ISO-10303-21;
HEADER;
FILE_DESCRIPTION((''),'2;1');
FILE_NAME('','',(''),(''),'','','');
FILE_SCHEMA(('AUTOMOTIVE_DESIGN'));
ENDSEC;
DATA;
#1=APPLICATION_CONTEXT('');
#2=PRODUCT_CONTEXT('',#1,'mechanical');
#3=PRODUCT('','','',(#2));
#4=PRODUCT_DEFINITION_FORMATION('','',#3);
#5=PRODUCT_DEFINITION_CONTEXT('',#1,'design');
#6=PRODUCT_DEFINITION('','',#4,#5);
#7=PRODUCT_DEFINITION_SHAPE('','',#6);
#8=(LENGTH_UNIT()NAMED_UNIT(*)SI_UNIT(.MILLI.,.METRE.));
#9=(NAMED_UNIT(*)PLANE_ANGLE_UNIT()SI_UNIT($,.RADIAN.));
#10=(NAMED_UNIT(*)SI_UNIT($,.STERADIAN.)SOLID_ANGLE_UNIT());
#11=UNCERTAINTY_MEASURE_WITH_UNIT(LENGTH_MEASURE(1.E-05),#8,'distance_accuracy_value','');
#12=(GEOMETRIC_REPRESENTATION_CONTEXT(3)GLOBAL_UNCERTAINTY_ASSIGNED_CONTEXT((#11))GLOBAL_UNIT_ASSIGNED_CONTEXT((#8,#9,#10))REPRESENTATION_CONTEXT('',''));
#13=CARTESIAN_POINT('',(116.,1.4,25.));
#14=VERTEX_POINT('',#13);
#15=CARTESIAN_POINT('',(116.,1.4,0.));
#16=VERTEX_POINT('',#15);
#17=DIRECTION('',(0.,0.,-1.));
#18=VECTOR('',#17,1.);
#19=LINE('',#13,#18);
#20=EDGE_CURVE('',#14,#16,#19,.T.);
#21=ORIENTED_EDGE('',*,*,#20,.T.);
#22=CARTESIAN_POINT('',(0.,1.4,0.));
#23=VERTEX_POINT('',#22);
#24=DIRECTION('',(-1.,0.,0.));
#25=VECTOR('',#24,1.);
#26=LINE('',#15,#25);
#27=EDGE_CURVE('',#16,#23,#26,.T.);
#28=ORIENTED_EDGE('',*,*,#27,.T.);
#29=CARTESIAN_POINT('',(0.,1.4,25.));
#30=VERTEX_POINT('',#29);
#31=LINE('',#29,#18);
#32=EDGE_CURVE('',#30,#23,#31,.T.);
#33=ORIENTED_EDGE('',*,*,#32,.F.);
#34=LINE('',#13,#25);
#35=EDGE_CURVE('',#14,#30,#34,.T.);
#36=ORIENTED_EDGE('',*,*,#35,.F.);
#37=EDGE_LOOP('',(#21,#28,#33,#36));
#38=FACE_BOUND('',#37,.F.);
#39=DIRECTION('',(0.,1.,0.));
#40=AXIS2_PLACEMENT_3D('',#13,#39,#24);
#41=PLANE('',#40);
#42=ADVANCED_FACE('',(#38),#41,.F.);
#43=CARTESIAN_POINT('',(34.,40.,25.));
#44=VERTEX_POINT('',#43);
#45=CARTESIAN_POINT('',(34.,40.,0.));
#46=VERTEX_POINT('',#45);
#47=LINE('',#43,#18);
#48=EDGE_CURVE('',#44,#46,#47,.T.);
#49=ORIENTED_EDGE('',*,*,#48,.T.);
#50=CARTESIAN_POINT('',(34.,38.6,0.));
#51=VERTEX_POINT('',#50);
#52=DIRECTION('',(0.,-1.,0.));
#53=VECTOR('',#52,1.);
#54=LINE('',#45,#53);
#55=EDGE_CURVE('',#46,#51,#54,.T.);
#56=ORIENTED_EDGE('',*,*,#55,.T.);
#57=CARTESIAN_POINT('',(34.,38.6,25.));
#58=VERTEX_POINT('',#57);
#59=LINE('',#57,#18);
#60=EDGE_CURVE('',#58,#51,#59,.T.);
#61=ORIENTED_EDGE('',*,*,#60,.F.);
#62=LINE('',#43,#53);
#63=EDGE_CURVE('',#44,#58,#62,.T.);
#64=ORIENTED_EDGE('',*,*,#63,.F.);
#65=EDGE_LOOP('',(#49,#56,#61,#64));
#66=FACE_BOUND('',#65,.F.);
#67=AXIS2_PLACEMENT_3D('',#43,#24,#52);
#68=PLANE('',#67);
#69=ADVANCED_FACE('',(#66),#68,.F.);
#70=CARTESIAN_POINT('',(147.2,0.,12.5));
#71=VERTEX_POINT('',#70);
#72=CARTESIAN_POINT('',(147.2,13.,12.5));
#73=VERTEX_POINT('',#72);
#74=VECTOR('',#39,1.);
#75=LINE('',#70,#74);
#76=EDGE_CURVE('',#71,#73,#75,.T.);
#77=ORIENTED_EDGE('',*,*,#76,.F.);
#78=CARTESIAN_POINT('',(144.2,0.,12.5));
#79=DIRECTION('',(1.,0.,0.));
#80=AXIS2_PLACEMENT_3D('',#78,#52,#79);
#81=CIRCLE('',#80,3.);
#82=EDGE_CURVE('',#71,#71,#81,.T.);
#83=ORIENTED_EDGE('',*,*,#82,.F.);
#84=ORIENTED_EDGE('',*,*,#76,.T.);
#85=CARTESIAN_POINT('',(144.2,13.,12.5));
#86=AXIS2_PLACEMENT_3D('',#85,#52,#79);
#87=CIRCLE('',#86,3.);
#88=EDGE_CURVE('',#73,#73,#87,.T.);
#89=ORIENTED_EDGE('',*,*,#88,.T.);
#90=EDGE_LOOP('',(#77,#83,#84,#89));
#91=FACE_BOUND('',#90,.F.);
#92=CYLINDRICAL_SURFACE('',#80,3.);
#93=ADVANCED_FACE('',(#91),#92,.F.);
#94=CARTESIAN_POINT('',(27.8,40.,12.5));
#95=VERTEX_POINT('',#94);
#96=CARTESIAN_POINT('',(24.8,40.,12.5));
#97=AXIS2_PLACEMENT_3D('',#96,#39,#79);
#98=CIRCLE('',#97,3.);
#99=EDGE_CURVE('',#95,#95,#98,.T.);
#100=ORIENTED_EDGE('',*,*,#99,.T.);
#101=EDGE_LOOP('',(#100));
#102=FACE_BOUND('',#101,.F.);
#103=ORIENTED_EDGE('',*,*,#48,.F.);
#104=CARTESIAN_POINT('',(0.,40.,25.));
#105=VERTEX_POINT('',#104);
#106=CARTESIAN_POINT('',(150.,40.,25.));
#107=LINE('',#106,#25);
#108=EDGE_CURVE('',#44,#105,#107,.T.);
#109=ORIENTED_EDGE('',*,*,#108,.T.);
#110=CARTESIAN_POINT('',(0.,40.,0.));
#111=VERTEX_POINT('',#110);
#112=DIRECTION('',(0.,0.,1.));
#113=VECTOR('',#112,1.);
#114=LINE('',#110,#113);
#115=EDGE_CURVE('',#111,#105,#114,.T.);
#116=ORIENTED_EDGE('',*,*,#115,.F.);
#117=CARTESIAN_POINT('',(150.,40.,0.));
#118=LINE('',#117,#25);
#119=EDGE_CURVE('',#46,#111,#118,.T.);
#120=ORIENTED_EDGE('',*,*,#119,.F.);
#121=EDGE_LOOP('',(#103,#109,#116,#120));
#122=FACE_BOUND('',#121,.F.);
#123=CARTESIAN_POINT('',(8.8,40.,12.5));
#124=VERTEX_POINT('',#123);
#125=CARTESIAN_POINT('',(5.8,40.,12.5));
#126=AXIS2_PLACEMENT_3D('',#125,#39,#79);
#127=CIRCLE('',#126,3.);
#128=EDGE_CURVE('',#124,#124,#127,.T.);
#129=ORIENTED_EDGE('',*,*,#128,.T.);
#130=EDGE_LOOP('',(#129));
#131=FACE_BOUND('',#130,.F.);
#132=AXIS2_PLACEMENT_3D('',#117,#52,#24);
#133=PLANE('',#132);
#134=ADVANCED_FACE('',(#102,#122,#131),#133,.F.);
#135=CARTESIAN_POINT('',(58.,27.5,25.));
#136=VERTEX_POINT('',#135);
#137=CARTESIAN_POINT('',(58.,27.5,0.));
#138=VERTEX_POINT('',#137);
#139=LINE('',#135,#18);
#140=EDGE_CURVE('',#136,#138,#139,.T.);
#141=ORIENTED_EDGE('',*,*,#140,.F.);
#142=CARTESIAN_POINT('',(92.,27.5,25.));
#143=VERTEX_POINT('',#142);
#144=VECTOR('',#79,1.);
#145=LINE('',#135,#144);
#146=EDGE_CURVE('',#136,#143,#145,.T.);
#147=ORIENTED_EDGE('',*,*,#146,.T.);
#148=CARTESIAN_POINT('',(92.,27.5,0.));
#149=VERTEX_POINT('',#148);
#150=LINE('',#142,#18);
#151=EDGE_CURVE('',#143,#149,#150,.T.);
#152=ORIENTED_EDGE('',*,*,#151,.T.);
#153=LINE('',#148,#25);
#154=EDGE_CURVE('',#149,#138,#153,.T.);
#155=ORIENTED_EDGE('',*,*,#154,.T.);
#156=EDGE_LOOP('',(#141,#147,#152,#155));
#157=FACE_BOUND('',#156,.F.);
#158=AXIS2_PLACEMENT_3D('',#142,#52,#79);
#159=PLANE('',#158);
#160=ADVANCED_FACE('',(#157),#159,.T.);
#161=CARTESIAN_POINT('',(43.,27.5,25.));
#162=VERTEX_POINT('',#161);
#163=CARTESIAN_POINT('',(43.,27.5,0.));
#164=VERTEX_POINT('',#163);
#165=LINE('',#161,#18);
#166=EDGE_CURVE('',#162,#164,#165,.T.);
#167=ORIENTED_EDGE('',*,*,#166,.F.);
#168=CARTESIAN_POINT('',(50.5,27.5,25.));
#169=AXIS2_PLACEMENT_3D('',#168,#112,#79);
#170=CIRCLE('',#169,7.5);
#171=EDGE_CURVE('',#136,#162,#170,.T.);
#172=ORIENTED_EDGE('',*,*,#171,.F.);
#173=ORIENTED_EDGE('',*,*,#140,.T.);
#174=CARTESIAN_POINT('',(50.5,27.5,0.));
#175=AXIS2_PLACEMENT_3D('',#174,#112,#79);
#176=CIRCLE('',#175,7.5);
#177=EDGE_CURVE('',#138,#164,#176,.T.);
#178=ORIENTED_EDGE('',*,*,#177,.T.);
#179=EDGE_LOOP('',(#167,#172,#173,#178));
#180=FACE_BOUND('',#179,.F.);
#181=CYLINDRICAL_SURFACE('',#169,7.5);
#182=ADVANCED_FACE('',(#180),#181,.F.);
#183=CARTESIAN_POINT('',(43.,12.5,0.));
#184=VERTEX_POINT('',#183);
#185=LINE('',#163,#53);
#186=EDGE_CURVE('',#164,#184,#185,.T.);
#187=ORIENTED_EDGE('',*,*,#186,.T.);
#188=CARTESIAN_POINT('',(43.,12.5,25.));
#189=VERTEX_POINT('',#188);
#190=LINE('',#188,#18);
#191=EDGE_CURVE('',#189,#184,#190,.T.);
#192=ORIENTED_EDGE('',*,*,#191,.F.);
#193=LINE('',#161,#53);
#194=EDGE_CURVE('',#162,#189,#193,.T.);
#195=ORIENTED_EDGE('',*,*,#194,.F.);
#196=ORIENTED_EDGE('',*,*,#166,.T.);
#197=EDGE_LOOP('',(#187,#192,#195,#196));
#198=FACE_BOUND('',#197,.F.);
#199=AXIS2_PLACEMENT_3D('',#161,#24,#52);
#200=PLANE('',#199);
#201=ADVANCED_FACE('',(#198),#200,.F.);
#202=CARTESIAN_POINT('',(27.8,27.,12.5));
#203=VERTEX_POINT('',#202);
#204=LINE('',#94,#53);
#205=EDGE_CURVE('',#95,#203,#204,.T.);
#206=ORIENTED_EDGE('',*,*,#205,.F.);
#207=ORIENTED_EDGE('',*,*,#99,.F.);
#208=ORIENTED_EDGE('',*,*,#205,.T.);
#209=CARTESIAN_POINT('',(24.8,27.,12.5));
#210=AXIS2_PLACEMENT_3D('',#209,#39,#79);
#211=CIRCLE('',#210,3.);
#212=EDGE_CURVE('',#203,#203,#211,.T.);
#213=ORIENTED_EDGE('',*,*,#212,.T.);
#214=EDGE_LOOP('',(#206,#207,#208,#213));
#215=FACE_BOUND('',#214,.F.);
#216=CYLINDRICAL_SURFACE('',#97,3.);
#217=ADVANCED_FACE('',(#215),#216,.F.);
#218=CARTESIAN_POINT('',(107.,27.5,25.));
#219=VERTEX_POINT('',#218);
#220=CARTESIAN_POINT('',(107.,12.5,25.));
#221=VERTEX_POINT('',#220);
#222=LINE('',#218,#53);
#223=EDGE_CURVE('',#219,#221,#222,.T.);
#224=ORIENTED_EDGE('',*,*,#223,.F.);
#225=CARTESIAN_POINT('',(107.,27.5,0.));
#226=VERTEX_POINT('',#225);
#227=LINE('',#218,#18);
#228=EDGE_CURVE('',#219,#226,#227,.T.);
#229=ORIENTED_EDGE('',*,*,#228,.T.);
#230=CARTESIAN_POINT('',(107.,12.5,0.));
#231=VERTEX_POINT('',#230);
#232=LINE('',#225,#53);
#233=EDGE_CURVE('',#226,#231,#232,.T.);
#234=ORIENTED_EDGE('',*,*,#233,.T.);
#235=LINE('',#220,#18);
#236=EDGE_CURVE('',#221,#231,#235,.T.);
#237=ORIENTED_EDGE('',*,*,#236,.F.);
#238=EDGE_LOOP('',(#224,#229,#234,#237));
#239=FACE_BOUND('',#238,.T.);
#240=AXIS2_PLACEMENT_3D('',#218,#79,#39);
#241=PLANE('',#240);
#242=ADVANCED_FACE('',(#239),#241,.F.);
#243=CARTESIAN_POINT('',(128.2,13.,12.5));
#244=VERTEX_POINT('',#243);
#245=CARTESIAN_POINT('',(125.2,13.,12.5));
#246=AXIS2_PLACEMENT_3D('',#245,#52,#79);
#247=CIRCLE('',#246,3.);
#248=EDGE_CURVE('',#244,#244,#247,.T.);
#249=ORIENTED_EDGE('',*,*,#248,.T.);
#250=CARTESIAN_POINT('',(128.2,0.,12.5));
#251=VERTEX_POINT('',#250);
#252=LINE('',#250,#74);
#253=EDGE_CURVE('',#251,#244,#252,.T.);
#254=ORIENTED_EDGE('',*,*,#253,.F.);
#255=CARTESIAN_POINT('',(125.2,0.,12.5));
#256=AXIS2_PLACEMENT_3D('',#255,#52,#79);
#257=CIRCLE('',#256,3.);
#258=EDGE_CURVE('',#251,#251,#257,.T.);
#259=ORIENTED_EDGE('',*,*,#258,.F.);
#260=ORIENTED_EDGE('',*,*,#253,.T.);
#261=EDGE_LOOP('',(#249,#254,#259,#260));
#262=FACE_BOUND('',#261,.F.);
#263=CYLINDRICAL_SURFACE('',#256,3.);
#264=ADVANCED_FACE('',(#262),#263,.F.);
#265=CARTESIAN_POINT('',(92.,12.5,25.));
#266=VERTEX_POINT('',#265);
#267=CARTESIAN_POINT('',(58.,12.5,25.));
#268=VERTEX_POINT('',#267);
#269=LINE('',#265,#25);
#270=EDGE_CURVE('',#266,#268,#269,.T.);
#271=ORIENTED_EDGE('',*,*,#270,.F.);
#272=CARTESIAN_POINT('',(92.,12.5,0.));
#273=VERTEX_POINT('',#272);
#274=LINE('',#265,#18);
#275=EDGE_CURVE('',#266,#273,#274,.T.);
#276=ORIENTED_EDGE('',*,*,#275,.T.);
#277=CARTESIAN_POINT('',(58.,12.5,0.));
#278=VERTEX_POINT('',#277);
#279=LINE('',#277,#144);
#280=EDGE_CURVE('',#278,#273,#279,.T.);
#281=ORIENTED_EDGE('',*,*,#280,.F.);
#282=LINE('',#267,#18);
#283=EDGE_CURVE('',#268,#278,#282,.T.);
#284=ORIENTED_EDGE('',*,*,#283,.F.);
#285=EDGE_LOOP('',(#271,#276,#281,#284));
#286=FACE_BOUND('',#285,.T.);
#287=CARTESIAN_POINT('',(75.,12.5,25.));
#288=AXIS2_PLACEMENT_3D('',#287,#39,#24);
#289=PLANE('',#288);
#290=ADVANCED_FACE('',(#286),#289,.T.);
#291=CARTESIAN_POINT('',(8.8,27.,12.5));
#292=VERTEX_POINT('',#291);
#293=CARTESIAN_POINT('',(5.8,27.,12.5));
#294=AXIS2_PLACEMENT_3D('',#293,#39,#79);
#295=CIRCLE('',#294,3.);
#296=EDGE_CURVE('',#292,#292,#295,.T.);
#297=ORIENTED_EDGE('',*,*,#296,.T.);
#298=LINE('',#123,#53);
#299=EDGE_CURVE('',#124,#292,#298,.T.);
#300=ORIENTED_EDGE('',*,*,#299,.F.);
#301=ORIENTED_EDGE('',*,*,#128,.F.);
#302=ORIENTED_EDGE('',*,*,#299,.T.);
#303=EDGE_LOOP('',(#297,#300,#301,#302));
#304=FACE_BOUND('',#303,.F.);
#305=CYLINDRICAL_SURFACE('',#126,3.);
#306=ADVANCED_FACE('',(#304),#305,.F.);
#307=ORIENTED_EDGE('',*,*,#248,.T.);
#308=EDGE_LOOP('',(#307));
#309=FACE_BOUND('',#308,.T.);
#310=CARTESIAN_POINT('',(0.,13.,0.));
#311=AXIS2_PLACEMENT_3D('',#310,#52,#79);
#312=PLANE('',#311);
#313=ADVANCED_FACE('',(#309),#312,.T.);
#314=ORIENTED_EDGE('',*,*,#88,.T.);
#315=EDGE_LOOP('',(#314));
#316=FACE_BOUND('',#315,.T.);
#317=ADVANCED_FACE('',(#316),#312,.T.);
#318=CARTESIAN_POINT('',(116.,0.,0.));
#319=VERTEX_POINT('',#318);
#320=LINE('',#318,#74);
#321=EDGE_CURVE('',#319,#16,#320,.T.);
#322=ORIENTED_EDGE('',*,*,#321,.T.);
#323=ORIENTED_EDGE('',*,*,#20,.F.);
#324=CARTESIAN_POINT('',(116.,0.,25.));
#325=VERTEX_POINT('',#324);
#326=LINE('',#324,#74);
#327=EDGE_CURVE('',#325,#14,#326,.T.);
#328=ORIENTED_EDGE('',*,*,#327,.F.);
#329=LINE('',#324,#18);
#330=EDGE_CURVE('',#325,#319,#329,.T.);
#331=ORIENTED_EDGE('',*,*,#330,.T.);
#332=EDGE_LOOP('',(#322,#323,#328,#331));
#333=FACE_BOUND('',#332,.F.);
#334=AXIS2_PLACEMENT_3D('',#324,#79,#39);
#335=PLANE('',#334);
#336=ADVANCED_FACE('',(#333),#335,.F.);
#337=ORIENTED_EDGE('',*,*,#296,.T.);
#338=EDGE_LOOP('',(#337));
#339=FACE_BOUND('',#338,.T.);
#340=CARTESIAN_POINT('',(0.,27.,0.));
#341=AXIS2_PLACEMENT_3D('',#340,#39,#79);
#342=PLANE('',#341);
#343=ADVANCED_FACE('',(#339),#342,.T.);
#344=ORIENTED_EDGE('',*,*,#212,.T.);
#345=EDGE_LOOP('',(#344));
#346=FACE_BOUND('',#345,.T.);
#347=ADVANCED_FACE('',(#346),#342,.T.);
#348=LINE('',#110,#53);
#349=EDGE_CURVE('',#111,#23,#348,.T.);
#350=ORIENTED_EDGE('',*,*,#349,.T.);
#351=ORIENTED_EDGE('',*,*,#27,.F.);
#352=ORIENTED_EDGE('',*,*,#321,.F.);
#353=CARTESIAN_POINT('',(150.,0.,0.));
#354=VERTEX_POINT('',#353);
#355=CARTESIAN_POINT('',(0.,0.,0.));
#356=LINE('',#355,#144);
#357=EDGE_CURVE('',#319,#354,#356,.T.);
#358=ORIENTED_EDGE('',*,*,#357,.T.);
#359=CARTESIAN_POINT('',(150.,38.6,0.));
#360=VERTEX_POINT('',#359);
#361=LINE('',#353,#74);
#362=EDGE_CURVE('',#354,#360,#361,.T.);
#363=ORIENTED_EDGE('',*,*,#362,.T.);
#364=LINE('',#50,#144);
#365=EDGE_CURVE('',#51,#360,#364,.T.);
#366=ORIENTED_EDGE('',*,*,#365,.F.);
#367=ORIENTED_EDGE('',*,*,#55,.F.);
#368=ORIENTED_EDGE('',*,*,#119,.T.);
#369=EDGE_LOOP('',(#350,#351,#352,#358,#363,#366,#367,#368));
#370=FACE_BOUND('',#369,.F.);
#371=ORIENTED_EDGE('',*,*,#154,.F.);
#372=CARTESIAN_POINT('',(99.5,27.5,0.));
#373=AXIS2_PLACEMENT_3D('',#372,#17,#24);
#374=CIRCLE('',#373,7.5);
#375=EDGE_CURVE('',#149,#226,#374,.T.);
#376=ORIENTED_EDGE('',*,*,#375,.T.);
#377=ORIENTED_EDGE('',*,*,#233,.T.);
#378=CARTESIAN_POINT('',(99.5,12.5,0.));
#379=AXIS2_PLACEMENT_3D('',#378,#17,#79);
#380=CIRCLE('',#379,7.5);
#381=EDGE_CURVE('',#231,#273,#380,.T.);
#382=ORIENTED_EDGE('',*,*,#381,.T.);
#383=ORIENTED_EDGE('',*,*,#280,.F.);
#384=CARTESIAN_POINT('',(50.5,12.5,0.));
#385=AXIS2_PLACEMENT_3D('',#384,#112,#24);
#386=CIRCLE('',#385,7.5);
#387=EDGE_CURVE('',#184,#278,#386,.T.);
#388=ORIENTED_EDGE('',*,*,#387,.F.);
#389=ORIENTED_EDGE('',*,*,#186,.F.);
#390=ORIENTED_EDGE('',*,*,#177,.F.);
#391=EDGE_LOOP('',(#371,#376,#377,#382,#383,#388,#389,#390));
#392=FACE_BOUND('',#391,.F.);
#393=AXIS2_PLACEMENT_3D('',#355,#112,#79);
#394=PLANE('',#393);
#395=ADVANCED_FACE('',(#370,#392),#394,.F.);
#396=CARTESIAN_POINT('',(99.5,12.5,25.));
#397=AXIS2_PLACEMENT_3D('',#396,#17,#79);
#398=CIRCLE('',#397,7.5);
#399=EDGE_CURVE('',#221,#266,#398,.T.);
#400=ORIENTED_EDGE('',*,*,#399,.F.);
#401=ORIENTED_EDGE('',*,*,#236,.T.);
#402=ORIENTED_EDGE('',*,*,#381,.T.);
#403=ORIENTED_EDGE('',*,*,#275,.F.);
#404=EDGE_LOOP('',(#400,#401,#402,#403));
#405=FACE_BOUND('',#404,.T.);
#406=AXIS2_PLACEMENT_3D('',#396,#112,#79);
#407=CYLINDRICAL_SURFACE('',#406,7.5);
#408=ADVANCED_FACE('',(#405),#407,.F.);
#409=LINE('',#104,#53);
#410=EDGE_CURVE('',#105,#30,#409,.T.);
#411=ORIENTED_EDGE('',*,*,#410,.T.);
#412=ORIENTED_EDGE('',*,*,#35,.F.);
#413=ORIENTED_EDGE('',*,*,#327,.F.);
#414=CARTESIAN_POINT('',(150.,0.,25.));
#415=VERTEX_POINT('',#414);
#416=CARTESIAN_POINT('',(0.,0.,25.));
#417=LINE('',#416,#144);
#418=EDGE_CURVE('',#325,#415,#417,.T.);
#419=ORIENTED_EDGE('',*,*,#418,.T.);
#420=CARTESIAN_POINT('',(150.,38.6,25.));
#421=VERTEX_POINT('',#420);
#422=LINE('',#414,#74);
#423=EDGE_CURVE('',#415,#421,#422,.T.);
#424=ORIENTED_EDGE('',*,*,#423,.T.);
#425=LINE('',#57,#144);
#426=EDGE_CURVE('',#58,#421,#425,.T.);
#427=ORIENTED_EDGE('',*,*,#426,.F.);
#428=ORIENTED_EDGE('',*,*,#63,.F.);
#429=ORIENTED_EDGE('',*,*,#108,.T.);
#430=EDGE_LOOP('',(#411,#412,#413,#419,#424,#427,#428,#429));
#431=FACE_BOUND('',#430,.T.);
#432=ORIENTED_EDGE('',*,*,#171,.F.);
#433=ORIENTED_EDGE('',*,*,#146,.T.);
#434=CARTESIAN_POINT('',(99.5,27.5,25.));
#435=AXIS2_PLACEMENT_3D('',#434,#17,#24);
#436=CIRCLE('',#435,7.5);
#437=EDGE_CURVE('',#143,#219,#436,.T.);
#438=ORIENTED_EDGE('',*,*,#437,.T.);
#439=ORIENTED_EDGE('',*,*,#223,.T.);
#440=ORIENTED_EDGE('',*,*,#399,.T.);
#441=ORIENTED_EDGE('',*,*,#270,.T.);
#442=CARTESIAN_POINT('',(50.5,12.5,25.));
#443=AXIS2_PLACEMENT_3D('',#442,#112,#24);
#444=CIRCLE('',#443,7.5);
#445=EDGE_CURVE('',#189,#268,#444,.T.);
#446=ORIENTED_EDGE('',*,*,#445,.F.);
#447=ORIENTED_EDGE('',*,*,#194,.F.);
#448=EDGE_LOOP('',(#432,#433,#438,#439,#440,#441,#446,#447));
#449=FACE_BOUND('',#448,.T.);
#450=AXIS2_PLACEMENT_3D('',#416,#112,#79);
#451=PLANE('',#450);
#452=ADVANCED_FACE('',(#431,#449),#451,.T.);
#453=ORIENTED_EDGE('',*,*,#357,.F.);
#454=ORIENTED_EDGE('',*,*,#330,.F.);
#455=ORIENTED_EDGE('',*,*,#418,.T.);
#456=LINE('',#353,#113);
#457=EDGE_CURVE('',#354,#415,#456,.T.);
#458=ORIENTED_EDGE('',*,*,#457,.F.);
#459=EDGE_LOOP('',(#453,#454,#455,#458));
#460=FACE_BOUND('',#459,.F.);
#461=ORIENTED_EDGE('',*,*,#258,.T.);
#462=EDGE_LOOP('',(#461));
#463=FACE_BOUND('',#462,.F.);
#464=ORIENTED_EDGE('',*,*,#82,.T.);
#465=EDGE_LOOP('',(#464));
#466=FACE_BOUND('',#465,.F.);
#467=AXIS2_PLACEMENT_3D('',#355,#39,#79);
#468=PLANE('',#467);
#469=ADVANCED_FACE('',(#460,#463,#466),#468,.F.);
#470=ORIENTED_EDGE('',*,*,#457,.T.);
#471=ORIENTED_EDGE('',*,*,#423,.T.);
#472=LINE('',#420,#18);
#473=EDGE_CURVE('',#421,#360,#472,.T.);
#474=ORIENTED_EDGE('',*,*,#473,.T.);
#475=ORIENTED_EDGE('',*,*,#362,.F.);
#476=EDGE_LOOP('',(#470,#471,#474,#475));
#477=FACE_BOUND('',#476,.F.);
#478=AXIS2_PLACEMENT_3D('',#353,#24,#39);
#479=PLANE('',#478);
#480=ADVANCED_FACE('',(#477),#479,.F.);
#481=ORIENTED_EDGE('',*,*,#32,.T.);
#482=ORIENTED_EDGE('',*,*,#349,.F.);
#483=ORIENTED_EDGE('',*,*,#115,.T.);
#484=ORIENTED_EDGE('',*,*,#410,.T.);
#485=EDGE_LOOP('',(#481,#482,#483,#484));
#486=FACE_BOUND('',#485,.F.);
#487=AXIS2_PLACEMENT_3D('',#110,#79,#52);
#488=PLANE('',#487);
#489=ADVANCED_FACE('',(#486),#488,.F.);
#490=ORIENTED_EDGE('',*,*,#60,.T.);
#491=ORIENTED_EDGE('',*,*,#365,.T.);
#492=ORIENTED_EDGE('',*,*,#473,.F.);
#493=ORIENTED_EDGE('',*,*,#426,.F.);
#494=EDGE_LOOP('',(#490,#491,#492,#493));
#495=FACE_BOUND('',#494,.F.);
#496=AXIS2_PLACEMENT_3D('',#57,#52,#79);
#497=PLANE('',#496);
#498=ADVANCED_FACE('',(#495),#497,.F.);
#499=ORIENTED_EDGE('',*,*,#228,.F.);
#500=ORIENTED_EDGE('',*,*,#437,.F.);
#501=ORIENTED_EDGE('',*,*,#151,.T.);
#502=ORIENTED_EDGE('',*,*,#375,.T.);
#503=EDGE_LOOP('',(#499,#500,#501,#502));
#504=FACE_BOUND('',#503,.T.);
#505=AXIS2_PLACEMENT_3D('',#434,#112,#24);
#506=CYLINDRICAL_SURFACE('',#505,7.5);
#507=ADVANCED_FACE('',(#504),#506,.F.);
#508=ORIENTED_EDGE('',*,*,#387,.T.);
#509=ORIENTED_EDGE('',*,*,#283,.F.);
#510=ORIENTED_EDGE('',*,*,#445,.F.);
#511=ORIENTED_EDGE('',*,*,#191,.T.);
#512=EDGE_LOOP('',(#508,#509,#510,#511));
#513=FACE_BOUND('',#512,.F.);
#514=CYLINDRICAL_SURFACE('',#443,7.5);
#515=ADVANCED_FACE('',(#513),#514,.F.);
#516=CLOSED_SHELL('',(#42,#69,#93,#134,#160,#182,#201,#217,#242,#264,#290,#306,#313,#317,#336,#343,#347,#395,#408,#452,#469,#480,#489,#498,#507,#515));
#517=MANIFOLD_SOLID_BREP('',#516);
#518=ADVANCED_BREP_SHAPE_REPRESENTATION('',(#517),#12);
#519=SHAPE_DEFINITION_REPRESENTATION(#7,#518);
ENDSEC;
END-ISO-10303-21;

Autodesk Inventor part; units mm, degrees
ref_plane "YZ Plane" through (0, 0, 0) normal (1, 0, 0) x (0, 1, 0)
ref_plane "XZ Plane" through (0, 0, 0) normal (0, 1, 0) x (-1, 0, 0)
ref_plane "XY Plane" through (0, 0, 0) normal (0, 0, 1) x (1, 0, 0)
sketch "Sketch1" plane through (0, 0, 0) normal (0, 0, 1) x (1, 0, 0)
  line L0 (0, 0) -> (150, 0)
  line L1 (150, 0) -> (150, 40)
  line L2 (150, 40) -> (0, 40)
  line L3 (0, 40) -> (0, 0)
  dimension "d0" = 40
  dimension "d1" = 150
extrude "Extrusion1" add sketch "Sketch1" along normal blind 25
sketch "Sketch2" plane through (0, 0, 25) normal (0, 0, 1) x (1, 0, 0)
  arc A0 (58, 27.5) -> (43, 27.5) centre (50.5, 27.5) ccw
  line L0 (43, 27.5) -> (43, 12.5)
  arc A1 (43, 12.5) -> (58, 12.5) centre (50.5, 12.5) ccw
  line L1 (58, 27.5) -> (75, 27.5)
  line L2 (75, 27.5) -> (75, 12.5)
  line L3 (75, 12.5) -> (58, 12.5)
  line L4 (0, 0) -> (150, 0) projected
  line L5 (75, 0) -> (75, 12.5)
  dimension "d4" = 7.5
  dimension "d5" = 15
  dimension "d6" = 12.5
  dimension "d7" = 17
  dimension "d8" = 7.5
extrude "Extrusion2" cut sketch "Sketch2" against normal blind 25
sketch "Sketch3" plane through (0, 40, 0) normal (0, 1, 0) x (1, 0, 0)
  circle A0 centre (5.8, -12.5) radius 3
  circle A1 centre (24.8, -12.5) radius 3
  line L0 (0, 0) -> (0, -25) projected
  line L1 (150, -25) -> (0, -25) projected
  dimension "d11" = 6
  dimension "d12" = 6
  dimension "d13" = 19
  dimension "d14" = 5.8
  dimension "d15" = 12.5
  dimension "d16" = 12.5
extrude "Extrusion3" cut sketch "Sketch3" against normal blind 13
mirror "Mirror1" about plane through (75, 27.5, 25) normal (-1, 0, 0) of "Extrusion2"
sketch "Sketch4" plane through (0, 0, 0) normal (0, -1, 0) x (1, 0, 0)
  circle A0 centre (144.2, 12.5) radius 3
  circle A1 centre (125.2, 12.5) radius 3
  line L0 (150, 0) -> (150, 25) projected
  line L1 (0, 0) -> (150, 0) projected
  dimension "d19" = 6
  dimension "d20" = 5.8
  dimension "d21" = 12.5
  dimension "d22" = 19
  dimension "d23" = 12.5
extrude "Extrusion4" cut sketch "Sketch4" against normal blind 13
sketch "Sketch5" plane through (0, 0, 25) normal (0, 0, 1) x (1, 0, 0)
  line L0 (150, 0) -> (150, 40) projected
  line L1 (150, 40) -> (34, 40)
  line L2 (34, 40) -> (34, 38.6)
  line L3 (34, 38.6) -> (150, 38.6)
  line L4 (150, 38.6) -> (150, 40)
  line L5 (0, 40) -> (0, 0) projected
  line L6 (0, 0) -> (116, 0)
  line L7 (116, 0) -> (116, 1.4)
  line L8 (116, 1.4) -> (0, 1.4)
  line L9 (0, 1.4) -> (0, 0)
  point P0 (34, 39.3)
  point P1 (116, 0.7)
  point P2 (0, 1.4)
  dimension "d26" = 1.4
  dimension "d27" = 34
  dimension "d28" = 34
  dimension "d29" = 1.4
extrude "Extrusion5" cut sketch "Sketch5" against normal blind 25
properties part number "load_cell"
